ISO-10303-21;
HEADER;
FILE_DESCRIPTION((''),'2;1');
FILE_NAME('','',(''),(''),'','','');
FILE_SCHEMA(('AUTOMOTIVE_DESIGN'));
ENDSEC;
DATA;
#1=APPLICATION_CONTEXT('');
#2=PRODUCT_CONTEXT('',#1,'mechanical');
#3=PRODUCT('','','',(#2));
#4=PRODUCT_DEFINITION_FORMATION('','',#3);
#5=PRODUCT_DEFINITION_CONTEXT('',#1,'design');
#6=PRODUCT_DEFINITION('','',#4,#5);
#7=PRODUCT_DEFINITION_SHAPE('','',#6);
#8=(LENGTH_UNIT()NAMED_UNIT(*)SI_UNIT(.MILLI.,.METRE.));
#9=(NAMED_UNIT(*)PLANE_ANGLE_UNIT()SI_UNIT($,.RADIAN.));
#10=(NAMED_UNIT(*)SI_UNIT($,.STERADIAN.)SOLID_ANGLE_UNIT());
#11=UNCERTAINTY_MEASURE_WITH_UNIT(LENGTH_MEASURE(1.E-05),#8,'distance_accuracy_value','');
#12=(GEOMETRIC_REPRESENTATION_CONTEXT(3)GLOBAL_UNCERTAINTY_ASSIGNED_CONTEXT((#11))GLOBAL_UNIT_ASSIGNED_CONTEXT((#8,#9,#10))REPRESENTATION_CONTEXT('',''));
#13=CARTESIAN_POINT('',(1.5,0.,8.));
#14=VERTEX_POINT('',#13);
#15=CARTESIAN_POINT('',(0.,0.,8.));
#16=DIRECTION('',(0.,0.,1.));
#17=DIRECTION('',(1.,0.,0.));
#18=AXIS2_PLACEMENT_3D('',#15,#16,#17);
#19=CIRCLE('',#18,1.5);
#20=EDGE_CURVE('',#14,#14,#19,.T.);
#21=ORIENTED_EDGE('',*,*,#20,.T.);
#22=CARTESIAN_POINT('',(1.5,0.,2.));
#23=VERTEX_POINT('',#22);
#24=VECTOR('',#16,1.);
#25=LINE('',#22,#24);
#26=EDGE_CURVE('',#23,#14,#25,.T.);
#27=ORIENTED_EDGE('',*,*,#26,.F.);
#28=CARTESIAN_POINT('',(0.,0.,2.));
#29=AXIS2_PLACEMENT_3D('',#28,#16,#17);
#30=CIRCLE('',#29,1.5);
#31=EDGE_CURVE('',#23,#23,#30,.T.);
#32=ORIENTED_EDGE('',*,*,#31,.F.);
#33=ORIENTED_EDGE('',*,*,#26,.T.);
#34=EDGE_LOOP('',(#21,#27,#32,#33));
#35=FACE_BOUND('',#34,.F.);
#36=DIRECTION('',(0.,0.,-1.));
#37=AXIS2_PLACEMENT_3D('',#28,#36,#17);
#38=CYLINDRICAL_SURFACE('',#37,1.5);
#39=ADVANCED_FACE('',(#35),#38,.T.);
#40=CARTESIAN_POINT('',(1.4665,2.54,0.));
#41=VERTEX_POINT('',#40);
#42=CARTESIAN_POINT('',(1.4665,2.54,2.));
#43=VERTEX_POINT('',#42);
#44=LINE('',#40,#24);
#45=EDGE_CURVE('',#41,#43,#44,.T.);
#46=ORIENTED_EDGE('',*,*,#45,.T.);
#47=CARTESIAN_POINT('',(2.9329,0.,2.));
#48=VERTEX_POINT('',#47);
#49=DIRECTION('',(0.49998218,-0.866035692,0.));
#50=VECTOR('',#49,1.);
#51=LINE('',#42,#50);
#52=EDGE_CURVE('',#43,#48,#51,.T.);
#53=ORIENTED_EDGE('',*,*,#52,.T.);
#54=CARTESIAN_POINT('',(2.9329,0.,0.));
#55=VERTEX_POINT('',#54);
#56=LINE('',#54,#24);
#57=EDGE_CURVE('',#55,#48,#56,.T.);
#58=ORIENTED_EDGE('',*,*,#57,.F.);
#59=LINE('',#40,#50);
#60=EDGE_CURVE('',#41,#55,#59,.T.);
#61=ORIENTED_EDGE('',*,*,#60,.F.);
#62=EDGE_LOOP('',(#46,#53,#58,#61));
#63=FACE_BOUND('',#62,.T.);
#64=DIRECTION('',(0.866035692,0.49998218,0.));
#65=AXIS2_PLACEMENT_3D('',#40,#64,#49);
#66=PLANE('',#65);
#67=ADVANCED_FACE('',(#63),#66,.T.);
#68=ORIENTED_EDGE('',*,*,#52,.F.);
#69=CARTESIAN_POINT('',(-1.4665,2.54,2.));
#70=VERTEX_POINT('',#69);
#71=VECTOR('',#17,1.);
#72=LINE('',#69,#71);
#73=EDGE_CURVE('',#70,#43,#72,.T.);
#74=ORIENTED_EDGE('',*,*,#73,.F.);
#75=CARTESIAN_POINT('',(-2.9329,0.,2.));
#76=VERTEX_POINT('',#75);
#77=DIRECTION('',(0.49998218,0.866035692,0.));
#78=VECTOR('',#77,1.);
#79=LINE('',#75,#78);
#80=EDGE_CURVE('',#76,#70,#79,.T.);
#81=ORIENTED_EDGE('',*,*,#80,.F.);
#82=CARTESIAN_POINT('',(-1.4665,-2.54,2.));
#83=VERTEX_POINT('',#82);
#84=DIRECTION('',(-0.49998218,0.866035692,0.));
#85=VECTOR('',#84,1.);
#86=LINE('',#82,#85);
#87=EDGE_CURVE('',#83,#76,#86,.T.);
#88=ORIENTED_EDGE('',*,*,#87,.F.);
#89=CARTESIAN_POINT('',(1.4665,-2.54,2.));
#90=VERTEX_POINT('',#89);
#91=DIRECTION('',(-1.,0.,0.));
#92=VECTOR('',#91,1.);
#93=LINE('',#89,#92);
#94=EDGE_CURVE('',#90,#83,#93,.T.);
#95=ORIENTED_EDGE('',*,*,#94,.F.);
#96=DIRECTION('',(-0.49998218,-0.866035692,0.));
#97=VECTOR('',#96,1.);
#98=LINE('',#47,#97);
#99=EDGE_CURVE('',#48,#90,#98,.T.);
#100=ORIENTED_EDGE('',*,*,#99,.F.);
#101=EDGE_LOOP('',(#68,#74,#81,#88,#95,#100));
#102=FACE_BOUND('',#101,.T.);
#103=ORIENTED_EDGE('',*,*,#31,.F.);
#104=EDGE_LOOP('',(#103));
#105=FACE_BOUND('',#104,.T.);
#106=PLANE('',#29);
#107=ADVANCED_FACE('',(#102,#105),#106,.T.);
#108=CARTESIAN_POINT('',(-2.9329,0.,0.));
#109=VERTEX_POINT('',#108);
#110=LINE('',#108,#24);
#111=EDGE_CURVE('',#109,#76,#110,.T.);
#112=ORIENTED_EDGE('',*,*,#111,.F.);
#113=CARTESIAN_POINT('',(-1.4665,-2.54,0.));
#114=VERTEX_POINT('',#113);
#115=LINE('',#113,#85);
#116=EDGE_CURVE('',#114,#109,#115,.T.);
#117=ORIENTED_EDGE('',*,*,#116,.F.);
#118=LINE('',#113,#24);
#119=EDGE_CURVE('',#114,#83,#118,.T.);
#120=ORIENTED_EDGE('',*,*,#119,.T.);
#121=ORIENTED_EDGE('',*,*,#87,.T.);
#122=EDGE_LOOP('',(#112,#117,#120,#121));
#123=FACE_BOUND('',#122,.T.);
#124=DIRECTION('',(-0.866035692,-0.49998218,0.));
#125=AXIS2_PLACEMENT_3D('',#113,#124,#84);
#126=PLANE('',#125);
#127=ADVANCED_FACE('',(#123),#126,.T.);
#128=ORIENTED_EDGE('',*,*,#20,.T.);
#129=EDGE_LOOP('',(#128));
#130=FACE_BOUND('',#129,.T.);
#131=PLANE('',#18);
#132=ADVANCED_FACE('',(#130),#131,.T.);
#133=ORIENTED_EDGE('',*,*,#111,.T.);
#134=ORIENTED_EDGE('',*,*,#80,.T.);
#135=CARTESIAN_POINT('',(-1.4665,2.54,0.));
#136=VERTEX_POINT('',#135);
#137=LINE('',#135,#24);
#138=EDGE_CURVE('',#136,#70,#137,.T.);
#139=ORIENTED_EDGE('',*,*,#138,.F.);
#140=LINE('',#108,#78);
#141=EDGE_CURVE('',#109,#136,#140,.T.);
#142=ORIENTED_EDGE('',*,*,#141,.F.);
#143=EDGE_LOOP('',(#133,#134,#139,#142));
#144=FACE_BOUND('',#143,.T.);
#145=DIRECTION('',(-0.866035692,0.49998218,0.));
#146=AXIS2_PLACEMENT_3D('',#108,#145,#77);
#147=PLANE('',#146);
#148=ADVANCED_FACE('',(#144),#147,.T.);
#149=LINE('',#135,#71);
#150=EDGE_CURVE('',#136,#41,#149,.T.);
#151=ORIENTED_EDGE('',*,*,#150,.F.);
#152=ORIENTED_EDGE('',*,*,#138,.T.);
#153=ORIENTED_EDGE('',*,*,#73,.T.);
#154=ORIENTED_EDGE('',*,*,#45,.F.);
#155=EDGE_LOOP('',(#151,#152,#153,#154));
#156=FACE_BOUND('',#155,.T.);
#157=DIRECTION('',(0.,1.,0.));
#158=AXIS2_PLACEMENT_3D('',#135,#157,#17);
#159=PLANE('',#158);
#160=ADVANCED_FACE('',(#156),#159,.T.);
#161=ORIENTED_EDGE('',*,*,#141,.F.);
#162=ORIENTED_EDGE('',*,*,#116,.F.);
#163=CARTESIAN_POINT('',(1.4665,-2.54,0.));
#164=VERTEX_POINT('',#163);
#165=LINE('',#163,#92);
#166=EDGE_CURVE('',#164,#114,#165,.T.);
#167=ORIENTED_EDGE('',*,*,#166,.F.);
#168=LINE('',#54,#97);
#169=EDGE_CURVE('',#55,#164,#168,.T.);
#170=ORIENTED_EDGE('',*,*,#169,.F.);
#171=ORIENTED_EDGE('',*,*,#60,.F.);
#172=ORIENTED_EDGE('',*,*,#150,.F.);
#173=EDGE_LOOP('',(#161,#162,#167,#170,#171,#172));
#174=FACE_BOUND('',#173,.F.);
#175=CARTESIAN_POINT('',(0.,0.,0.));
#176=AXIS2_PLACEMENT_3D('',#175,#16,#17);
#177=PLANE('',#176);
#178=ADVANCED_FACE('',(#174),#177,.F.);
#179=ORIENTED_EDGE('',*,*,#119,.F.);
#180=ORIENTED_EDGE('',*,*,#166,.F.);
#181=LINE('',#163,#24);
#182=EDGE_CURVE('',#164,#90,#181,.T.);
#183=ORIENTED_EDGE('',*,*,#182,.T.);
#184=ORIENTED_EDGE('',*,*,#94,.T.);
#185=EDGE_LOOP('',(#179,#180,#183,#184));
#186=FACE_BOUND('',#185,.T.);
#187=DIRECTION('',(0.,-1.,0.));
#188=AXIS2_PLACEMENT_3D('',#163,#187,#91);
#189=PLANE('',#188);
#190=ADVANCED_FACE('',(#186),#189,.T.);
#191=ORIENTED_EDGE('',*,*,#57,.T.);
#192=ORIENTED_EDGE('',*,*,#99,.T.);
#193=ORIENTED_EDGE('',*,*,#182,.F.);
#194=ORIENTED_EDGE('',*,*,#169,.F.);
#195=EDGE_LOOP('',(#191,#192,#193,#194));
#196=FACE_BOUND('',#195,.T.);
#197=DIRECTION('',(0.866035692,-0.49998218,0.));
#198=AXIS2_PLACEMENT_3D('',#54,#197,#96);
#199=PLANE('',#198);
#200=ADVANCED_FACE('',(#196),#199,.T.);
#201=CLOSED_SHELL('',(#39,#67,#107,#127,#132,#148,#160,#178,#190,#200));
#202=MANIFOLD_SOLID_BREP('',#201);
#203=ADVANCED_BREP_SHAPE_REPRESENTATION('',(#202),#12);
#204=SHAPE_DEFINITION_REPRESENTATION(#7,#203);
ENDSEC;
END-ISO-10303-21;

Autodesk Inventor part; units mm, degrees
ref_plane "YZ Plane" through (0, 0, 0) normal (1, 0, 0) x (0, 1, 0)
ref_plane "XZ Plane" through (0, 0, 0) normal (0, 1, 0) x (-1, 0, 0)
ref_plane "XY Plane" through (0, 0, 0) normal (0, 0, 1) x (1, 0, 0)
sketch "Sketch1" plane through (0, 0, 0) normal (0, 0, 1) x (1, 0, 0)
  line L0 (1.4665, -2.54) -> (-1.4665, -2.54)
  line L1 (-1.4665, -2.54) -> (-2.9329, 0)
  line L2 (-2.9329, 0) -> (-1.4665, 2.54)
  line L3 (-1.4665, 2.54) -> (1.4665, 2.54)
  line L4 (1.4665, 2.54) -> (2.9329, 0)
  line L5 (2.9329, 0) -> (1.4665, -2.54)
  point P0 (0, 0)
  point P1 (0, 0)
  point P2 (0, -2.54)
  dimension "d1" = 2.54
  dimension "d2" = 2.54
extrude "Extrusion1" add sketch "Sketch1" along normal blind 2
sketch "Sketch2" plane through (0, 0, 2) normal (0, 0, 1) x (1, 0, 0)
  circle A0 centre (0, 0) radius 1.5
  dimension "d5" = 3
extrude "Extrusion2" add sketch "Sketch2" along normal blind 6
thread "Thread1" size "M3x0.5" class "6g" standard "ANSI Metric M Profile" full length
properties part number "M3 screw_6mm"
